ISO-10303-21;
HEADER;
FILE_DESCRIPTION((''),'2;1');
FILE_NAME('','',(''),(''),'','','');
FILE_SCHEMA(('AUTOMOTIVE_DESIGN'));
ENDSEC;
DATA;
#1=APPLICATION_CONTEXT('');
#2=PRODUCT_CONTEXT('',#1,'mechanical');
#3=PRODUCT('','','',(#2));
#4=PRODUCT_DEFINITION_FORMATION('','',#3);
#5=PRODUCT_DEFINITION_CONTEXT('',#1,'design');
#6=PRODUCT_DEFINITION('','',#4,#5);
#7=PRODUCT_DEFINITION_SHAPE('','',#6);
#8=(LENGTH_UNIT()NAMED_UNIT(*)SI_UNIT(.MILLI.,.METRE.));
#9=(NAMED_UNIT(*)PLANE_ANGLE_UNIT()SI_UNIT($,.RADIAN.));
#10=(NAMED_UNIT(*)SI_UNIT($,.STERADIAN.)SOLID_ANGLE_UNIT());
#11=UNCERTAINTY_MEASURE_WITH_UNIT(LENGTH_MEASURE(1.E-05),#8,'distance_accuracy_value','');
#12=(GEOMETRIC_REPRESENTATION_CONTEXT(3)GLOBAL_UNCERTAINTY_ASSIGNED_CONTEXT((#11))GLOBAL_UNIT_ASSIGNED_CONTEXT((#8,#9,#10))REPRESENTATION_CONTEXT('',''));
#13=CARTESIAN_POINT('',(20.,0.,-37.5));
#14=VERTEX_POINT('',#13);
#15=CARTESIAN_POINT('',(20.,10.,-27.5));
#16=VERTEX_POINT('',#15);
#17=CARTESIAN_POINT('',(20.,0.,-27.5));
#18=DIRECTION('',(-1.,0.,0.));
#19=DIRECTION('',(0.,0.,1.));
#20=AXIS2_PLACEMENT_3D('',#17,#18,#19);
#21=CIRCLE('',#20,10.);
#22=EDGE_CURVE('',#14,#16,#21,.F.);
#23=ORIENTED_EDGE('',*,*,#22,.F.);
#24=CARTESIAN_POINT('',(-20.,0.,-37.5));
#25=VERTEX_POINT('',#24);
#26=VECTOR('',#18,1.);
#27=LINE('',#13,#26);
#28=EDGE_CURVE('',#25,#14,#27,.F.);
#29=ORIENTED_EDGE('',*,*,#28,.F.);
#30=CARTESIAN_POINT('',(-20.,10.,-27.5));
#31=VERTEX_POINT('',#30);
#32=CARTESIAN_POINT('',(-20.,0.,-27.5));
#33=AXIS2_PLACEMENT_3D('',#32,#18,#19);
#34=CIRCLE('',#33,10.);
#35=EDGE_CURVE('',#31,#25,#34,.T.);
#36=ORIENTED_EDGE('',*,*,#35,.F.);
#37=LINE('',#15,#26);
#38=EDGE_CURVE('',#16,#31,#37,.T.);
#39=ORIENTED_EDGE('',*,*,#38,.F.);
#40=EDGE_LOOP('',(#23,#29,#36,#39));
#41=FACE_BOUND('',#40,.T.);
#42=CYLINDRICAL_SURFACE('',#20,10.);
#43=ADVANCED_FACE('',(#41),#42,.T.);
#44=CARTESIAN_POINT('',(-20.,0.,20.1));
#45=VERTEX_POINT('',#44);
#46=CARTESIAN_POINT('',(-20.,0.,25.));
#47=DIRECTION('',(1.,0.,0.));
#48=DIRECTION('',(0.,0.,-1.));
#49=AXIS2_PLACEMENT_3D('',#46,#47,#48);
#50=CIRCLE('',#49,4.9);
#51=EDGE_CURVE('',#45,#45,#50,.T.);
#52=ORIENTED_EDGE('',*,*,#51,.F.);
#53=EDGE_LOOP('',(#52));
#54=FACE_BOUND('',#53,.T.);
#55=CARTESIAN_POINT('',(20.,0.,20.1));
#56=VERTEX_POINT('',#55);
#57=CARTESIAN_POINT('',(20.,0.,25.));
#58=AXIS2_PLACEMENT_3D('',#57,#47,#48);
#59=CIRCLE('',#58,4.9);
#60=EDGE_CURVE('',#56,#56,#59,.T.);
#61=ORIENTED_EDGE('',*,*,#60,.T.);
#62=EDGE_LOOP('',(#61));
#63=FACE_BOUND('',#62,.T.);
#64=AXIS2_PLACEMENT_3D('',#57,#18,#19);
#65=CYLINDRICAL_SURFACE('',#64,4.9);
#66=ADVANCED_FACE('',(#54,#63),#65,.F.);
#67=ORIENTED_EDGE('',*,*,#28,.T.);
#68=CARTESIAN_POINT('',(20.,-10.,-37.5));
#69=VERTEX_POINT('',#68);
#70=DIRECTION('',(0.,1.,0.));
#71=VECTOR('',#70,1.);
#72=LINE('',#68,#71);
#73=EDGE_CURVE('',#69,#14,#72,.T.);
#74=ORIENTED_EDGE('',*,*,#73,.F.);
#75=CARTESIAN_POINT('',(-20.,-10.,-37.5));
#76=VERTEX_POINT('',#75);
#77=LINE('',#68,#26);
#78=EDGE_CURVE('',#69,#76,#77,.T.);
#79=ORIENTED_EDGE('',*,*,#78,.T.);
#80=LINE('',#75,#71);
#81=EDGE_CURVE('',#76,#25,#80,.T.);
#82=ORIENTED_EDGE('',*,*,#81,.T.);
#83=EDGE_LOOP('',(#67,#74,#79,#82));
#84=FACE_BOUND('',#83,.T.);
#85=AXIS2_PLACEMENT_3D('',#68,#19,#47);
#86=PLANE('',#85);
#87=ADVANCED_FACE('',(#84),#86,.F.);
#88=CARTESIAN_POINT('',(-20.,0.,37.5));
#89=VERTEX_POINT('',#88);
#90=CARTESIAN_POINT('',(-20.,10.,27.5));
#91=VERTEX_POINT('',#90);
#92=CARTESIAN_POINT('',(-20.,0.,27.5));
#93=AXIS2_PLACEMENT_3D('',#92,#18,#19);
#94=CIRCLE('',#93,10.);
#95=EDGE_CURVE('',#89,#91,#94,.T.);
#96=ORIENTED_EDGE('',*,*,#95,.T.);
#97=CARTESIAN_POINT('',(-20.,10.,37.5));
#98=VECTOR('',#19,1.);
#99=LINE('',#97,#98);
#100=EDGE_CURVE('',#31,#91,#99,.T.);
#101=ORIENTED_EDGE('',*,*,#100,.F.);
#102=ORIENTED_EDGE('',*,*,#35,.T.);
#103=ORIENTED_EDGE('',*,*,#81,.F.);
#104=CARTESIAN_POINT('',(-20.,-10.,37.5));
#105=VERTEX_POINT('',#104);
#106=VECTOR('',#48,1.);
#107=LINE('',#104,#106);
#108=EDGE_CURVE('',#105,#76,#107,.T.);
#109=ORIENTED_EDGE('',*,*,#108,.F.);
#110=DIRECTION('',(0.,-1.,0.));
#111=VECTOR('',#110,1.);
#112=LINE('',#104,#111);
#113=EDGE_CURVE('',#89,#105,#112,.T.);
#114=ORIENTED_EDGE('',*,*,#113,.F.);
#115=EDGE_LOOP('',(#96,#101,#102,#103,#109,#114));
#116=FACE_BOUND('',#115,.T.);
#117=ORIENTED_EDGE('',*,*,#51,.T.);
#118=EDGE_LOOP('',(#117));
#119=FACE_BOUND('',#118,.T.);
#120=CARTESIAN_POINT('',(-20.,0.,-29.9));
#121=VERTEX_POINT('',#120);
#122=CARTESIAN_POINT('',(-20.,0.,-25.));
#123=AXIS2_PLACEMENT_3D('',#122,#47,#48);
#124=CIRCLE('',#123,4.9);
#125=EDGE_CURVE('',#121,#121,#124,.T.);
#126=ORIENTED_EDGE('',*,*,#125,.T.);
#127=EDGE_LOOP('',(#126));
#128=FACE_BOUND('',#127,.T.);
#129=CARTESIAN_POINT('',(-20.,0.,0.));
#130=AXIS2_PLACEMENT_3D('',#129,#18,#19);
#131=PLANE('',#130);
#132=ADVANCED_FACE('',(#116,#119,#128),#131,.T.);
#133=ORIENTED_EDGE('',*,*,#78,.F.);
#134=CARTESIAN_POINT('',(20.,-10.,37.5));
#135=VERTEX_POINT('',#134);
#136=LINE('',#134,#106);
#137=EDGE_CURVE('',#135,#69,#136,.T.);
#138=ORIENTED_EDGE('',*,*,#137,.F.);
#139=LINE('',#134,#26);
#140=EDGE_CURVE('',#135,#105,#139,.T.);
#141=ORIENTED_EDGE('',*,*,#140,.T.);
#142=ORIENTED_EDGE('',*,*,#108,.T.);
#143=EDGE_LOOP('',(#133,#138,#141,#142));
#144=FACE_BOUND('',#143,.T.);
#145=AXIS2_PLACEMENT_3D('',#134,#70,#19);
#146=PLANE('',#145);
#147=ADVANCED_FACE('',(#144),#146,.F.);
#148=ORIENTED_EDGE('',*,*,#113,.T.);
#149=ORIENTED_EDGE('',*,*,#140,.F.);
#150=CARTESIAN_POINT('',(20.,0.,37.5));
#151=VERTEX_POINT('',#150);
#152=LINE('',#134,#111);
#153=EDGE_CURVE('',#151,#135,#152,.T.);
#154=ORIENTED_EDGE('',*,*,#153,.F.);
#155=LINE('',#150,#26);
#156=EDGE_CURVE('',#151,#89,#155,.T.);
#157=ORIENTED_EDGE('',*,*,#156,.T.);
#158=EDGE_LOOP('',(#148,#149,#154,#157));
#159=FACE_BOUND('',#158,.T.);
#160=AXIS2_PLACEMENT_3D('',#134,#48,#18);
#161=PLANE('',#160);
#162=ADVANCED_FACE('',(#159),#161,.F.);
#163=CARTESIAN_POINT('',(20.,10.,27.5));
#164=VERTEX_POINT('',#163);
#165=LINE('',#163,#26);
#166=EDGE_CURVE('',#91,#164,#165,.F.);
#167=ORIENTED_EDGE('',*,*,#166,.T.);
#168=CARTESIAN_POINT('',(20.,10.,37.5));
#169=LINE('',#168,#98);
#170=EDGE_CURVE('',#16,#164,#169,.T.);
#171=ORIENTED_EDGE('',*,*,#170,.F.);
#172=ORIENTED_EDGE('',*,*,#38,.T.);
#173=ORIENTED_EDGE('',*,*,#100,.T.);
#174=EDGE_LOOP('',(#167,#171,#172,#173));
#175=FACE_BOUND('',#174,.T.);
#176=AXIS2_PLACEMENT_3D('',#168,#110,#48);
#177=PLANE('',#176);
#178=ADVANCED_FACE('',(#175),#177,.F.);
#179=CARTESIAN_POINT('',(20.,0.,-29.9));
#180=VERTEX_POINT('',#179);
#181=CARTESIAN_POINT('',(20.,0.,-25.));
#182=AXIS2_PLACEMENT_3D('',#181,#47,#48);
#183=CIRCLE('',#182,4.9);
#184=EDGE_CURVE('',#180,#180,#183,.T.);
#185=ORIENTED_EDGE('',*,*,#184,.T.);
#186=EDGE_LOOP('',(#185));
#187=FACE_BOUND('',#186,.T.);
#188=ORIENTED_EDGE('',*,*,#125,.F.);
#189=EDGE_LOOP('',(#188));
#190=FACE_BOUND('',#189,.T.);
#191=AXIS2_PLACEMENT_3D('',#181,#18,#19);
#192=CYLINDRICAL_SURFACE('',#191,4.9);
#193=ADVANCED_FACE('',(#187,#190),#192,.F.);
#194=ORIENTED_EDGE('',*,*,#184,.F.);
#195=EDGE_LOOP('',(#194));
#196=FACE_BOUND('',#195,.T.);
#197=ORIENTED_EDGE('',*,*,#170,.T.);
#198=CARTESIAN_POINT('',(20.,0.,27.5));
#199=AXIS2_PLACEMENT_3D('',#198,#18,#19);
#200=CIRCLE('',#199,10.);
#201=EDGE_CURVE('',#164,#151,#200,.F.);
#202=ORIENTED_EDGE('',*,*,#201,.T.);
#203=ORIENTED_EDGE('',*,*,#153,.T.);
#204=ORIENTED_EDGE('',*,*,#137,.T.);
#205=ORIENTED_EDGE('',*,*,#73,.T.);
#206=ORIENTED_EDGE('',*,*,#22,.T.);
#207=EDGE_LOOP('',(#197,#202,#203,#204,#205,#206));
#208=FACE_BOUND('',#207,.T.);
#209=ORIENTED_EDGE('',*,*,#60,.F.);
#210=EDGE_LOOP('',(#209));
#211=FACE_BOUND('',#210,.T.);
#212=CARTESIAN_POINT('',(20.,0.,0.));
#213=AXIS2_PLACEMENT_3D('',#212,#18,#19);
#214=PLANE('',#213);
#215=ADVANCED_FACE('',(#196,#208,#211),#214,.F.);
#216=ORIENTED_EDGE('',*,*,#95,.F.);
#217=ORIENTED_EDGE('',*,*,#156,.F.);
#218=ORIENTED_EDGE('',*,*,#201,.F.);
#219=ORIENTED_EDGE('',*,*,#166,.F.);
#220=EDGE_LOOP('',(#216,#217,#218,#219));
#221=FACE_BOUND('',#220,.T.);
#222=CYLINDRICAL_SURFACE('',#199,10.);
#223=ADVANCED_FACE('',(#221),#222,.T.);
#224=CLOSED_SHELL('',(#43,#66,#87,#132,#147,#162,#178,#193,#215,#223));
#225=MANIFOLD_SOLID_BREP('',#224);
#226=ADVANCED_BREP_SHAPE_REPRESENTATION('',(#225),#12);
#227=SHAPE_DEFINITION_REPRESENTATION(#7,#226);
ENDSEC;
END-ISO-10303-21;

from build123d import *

# Parameters (mm, degrees)
SKETCH1_W           = 75
SKETCH1_H           = 20
SKETCH1_R           = 4.9
BOSS_EXTRUDE1_DEPTH = 20
FILLET1_R           = 10


with BuildPart() as part:
    # Sketch1 → Boss-Extrude1 (new, symmetric)
    with BuildSketch(Plane(origin=(0, 0, 0), x_dir=(0, 0, -1), z_dir=(1, 0, 0))):
        Rectangle(SKETCH1_W, SKETCH1_H)
        with Locations((-25, 0)):
            Circle(SKETCH1_R, mode=Mode.SUBTRACT)
        with Locations((25, 0)):
            Circle(SKETCH1_R, mode=Mode.SUBTRACT)
    extrude(amount=BOSS_EXTRUDE1_DEPTH, both=True)

    # Fillet1
    fillet1_edges = [part.edges().sort_by_distance(p)[0] for p in [
        (0, 10, 37.5),
        (0, 10, -37.5),
    ]]
    fillet(fillet1_edges, radius=FILLET1_R)


solid = part.part
